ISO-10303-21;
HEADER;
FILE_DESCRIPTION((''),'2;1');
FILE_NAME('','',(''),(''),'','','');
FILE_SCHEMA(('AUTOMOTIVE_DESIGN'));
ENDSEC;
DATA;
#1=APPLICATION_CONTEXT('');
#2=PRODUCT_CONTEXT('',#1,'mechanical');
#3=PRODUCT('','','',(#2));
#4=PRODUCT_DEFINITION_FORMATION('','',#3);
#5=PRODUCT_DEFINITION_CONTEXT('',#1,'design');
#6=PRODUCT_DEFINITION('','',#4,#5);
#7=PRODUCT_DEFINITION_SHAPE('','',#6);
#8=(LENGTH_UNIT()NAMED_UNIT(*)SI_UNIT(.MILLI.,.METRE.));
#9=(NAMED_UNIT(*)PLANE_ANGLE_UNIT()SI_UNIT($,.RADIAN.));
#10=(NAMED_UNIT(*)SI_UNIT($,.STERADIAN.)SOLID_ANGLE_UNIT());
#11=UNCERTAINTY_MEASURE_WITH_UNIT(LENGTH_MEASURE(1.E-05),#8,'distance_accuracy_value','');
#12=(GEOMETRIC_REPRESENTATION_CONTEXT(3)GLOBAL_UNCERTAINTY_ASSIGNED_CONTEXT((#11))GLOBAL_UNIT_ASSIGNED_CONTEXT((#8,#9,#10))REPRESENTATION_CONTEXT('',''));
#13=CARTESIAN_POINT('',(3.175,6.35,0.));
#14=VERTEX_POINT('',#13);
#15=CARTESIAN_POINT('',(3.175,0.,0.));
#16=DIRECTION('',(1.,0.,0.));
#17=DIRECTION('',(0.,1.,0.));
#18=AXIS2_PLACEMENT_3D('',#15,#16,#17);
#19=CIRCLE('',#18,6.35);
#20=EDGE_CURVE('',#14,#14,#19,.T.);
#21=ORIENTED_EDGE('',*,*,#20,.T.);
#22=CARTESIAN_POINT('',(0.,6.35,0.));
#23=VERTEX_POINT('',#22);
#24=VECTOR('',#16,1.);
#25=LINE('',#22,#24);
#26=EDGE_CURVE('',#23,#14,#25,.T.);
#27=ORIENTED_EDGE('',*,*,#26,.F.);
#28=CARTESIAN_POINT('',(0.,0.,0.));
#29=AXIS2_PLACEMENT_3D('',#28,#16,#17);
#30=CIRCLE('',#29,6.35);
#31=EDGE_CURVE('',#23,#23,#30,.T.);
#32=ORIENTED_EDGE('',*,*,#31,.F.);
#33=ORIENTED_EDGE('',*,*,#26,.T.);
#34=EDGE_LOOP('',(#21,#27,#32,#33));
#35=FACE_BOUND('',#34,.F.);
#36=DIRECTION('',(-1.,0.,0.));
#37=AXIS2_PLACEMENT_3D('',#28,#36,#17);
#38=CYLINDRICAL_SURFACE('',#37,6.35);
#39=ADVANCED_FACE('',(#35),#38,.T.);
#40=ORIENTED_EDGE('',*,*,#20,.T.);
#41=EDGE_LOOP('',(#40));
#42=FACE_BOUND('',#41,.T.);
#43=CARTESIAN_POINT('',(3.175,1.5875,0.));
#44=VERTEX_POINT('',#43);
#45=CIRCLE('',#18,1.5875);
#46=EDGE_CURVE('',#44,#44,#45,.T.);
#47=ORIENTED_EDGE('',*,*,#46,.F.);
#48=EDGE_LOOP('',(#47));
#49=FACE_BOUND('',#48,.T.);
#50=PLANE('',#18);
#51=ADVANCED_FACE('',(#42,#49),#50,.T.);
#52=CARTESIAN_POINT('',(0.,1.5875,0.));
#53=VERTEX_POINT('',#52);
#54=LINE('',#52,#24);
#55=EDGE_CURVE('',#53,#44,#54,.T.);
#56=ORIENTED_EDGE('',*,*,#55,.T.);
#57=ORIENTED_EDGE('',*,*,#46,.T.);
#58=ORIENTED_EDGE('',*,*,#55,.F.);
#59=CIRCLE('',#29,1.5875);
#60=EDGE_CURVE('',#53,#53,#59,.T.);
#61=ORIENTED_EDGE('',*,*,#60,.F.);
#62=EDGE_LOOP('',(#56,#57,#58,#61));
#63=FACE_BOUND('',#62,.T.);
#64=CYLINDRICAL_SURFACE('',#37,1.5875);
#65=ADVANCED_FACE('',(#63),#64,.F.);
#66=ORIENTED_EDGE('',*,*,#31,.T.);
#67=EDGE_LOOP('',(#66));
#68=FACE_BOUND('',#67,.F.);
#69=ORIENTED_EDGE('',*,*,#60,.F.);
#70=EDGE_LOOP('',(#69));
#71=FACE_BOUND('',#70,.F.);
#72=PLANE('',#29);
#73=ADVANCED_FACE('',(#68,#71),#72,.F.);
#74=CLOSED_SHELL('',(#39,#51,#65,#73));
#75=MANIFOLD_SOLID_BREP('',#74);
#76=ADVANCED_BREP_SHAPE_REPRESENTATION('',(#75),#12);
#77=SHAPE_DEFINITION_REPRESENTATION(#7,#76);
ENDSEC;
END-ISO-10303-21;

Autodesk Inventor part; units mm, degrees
ref_plane "YZ Plane" through (0, 0, 0) normal (1, 0, 0) x (0, 1, 0)
ref_plane "XZ Plane" through (0, 0, 0) normal (0, 1, 0) x (-1, 0, 0)
ref_plane "XY Plane" through (0, 0, 0) normal (0, 0, 1) x (1, 0, 0)
sketch "Sketch1" plane through (0, 0, 0) normal (1, 0, 0) x (0, 1, 0)
  circle A0 centre (0, 0) radius 6.35
  circle A1 centre (0, 0) radius 1.5875
  dimension "d0" = 12.7
  dimension "d3" = 3.175
extrude "Extrusion1" add sketch "Sketch1" along normal blind 3.175 contours A0 | A1
extrude "Extrusion2" cut sketch "Sketch1" along normal blind 3.175 contours A1
properties part number "CURM_Caterpillar_disc"
